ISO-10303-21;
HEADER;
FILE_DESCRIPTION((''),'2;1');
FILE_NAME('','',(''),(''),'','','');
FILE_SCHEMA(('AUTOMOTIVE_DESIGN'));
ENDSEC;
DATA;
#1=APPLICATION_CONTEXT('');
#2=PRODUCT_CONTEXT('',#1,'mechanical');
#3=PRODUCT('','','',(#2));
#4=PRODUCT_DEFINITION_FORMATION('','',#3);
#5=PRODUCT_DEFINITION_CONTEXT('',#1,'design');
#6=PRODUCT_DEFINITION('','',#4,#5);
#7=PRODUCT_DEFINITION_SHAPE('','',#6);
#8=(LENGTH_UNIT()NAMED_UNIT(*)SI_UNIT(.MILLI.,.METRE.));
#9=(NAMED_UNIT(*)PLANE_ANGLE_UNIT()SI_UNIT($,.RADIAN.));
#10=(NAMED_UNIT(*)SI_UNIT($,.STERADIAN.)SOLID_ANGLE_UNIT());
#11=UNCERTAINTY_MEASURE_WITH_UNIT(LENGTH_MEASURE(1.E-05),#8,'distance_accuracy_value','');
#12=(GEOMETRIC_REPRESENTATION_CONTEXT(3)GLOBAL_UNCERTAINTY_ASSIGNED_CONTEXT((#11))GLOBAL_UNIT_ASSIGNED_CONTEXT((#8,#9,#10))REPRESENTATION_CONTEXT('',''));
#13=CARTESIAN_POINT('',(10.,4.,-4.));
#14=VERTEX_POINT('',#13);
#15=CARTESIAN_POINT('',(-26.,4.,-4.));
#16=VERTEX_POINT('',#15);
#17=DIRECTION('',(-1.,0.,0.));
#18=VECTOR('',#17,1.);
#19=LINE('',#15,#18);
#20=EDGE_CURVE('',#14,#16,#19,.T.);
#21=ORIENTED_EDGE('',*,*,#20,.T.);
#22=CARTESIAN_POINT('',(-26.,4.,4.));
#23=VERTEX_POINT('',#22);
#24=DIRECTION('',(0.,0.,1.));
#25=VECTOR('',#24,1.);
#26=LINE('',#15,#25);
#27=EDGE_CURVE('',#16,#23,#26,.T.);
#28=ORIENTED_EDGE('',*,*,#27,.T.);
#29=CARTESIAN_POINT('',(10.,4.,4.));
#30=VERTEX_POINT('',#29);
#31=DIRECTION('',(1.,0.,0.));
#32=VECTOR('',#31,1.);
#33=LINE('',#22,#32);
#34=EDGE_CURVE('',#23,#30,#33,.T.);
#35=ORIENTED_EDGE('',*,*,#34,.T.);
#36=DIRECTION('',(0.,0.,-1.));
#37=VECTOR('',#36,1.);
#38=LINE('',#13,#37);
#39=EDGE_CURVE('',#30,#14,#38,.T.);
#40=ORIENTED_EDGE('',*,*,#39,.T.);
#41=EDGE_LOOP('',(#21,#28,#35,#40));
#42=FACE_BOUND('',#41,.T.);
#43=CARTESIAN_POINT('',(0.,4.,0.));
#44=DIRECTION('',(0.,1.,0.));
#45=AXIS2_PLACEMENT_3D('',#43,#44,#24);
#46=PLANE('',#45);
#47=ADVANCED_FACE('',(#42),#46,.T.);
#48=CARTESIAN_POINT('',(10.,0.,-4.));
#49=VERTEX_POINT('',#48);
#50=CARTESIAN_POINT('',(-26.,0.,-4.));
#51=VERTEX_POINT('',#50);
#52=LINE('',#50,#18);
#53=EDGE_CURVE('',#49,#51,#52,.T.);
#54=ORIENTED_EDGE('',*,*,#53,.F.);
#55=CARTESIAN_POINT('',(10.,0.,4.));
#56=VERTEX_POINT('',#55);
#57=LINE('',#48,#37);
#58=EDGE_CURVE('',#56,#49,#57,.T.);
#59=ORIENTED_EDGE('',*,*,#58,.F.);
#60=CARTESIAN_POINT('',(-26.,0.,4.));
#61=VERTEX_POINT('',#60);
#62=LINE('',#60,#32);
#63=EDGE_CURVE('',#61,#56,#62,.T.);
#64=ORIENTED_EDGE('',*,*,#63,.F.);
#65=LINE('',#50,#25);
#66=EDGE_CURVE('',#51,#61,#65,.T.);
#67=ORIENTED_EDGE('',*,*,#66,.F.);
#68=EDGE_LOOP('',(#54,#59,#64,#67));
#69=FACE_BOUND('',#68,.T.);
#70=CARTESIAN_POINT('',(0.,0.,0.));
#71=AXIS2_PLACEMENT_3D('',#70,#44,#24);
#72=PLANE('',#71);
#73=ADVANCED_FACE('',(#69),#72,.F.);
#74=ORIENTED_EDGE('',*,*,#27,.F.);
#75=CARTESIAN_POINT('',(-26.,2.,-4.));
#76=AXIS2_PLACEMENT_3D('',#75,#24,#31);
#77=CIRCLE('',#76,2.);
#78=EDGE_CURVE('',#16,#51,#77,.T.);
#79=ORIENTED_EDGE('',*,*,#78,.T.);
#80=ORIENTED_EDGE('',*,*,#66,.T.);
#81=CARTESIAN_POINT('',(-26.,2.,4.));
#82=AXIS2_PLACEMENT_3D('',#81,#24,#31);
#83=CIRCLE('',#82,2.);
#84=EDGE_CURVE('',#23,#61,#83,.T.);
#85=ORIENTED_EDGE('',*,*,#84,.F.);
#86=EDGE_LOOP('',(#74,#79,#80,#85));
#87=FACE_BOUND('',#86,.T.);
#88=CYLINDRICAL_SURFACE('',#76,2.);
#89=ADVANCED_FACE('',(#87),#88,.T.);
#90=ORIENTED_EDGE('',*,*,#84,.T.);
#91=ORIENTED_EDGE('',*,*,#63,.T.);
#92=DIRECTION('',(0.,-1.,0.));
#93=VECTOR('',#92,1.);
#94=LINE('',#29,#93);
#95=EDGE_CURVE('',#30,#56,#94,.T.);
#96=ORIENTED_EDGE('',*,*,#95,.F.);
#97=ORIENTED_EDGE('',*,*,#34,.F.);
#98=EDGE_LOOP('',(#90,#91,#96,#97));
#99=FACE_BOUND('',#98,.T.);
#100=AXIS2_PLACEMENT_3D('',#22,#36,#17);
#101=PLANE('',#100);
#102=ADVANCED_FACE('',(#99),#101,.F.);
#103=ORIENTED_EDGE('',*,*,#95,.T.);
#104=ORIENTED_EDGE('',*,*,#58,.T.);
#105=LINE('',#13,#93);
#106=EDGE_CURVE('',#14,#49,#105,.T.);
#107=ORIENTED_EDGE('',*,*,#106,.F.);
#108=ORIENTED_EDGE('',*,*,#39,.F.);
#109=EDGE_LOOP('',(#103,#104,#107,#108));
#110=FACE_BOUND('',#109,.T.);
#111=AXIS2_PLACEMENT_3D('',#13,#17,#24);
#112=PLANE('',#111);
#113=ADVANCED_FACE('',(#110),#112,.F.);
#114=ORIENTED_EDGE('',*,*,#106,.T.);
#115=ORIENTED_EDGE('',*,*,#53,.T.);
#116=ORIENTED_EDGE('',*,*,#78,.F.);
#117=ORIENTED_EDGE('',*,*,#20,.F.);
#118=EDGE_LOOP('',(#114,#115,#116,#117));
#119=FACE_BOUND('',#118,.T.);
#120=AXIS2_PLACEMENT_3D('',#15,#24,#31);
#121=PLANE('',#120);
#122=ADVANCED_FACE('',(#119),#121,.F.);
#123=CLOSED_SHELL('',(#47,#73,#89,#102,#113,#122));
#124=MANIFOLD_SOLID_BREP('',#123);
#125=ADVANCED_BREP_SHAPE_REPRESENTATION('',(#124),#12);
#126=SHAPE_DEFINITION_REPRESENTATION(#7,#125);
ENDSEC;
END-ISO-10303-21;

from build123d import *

# Parameters (mm, degrees)
SKETCH_1_W      = 36
SKETCH_1_H      = 8
EXTRUDE_1_DEPTH = 4
SKETCH_2_R      = 2
EXTRUDE_2_DEPTH = 8


with BuildPart() as part:
    # 草图1 → 凸台-拉伸1 (new body)
    with BuildSketch(Plane(origin=(0, 0, 0), x_dir=(1, 0, 0), z_dir=(0, 1, 0))):
        with Locations((-8, 0)):
            Rectangle(SKETCH_1_W, SKETCH_1_H)
    extrude(amount=EXTRUDE_1_DEPTH)

    # 草图2 → 凸台-拉伸2 (add)
    with BuildSketch(Plane.XY.offset(4)):
        with Locations((-26, 2)):
            Circle(SKETCH_2_R)
    extrude(amount=-EXTRUDE_2_DEPTH)


solid = part.part
